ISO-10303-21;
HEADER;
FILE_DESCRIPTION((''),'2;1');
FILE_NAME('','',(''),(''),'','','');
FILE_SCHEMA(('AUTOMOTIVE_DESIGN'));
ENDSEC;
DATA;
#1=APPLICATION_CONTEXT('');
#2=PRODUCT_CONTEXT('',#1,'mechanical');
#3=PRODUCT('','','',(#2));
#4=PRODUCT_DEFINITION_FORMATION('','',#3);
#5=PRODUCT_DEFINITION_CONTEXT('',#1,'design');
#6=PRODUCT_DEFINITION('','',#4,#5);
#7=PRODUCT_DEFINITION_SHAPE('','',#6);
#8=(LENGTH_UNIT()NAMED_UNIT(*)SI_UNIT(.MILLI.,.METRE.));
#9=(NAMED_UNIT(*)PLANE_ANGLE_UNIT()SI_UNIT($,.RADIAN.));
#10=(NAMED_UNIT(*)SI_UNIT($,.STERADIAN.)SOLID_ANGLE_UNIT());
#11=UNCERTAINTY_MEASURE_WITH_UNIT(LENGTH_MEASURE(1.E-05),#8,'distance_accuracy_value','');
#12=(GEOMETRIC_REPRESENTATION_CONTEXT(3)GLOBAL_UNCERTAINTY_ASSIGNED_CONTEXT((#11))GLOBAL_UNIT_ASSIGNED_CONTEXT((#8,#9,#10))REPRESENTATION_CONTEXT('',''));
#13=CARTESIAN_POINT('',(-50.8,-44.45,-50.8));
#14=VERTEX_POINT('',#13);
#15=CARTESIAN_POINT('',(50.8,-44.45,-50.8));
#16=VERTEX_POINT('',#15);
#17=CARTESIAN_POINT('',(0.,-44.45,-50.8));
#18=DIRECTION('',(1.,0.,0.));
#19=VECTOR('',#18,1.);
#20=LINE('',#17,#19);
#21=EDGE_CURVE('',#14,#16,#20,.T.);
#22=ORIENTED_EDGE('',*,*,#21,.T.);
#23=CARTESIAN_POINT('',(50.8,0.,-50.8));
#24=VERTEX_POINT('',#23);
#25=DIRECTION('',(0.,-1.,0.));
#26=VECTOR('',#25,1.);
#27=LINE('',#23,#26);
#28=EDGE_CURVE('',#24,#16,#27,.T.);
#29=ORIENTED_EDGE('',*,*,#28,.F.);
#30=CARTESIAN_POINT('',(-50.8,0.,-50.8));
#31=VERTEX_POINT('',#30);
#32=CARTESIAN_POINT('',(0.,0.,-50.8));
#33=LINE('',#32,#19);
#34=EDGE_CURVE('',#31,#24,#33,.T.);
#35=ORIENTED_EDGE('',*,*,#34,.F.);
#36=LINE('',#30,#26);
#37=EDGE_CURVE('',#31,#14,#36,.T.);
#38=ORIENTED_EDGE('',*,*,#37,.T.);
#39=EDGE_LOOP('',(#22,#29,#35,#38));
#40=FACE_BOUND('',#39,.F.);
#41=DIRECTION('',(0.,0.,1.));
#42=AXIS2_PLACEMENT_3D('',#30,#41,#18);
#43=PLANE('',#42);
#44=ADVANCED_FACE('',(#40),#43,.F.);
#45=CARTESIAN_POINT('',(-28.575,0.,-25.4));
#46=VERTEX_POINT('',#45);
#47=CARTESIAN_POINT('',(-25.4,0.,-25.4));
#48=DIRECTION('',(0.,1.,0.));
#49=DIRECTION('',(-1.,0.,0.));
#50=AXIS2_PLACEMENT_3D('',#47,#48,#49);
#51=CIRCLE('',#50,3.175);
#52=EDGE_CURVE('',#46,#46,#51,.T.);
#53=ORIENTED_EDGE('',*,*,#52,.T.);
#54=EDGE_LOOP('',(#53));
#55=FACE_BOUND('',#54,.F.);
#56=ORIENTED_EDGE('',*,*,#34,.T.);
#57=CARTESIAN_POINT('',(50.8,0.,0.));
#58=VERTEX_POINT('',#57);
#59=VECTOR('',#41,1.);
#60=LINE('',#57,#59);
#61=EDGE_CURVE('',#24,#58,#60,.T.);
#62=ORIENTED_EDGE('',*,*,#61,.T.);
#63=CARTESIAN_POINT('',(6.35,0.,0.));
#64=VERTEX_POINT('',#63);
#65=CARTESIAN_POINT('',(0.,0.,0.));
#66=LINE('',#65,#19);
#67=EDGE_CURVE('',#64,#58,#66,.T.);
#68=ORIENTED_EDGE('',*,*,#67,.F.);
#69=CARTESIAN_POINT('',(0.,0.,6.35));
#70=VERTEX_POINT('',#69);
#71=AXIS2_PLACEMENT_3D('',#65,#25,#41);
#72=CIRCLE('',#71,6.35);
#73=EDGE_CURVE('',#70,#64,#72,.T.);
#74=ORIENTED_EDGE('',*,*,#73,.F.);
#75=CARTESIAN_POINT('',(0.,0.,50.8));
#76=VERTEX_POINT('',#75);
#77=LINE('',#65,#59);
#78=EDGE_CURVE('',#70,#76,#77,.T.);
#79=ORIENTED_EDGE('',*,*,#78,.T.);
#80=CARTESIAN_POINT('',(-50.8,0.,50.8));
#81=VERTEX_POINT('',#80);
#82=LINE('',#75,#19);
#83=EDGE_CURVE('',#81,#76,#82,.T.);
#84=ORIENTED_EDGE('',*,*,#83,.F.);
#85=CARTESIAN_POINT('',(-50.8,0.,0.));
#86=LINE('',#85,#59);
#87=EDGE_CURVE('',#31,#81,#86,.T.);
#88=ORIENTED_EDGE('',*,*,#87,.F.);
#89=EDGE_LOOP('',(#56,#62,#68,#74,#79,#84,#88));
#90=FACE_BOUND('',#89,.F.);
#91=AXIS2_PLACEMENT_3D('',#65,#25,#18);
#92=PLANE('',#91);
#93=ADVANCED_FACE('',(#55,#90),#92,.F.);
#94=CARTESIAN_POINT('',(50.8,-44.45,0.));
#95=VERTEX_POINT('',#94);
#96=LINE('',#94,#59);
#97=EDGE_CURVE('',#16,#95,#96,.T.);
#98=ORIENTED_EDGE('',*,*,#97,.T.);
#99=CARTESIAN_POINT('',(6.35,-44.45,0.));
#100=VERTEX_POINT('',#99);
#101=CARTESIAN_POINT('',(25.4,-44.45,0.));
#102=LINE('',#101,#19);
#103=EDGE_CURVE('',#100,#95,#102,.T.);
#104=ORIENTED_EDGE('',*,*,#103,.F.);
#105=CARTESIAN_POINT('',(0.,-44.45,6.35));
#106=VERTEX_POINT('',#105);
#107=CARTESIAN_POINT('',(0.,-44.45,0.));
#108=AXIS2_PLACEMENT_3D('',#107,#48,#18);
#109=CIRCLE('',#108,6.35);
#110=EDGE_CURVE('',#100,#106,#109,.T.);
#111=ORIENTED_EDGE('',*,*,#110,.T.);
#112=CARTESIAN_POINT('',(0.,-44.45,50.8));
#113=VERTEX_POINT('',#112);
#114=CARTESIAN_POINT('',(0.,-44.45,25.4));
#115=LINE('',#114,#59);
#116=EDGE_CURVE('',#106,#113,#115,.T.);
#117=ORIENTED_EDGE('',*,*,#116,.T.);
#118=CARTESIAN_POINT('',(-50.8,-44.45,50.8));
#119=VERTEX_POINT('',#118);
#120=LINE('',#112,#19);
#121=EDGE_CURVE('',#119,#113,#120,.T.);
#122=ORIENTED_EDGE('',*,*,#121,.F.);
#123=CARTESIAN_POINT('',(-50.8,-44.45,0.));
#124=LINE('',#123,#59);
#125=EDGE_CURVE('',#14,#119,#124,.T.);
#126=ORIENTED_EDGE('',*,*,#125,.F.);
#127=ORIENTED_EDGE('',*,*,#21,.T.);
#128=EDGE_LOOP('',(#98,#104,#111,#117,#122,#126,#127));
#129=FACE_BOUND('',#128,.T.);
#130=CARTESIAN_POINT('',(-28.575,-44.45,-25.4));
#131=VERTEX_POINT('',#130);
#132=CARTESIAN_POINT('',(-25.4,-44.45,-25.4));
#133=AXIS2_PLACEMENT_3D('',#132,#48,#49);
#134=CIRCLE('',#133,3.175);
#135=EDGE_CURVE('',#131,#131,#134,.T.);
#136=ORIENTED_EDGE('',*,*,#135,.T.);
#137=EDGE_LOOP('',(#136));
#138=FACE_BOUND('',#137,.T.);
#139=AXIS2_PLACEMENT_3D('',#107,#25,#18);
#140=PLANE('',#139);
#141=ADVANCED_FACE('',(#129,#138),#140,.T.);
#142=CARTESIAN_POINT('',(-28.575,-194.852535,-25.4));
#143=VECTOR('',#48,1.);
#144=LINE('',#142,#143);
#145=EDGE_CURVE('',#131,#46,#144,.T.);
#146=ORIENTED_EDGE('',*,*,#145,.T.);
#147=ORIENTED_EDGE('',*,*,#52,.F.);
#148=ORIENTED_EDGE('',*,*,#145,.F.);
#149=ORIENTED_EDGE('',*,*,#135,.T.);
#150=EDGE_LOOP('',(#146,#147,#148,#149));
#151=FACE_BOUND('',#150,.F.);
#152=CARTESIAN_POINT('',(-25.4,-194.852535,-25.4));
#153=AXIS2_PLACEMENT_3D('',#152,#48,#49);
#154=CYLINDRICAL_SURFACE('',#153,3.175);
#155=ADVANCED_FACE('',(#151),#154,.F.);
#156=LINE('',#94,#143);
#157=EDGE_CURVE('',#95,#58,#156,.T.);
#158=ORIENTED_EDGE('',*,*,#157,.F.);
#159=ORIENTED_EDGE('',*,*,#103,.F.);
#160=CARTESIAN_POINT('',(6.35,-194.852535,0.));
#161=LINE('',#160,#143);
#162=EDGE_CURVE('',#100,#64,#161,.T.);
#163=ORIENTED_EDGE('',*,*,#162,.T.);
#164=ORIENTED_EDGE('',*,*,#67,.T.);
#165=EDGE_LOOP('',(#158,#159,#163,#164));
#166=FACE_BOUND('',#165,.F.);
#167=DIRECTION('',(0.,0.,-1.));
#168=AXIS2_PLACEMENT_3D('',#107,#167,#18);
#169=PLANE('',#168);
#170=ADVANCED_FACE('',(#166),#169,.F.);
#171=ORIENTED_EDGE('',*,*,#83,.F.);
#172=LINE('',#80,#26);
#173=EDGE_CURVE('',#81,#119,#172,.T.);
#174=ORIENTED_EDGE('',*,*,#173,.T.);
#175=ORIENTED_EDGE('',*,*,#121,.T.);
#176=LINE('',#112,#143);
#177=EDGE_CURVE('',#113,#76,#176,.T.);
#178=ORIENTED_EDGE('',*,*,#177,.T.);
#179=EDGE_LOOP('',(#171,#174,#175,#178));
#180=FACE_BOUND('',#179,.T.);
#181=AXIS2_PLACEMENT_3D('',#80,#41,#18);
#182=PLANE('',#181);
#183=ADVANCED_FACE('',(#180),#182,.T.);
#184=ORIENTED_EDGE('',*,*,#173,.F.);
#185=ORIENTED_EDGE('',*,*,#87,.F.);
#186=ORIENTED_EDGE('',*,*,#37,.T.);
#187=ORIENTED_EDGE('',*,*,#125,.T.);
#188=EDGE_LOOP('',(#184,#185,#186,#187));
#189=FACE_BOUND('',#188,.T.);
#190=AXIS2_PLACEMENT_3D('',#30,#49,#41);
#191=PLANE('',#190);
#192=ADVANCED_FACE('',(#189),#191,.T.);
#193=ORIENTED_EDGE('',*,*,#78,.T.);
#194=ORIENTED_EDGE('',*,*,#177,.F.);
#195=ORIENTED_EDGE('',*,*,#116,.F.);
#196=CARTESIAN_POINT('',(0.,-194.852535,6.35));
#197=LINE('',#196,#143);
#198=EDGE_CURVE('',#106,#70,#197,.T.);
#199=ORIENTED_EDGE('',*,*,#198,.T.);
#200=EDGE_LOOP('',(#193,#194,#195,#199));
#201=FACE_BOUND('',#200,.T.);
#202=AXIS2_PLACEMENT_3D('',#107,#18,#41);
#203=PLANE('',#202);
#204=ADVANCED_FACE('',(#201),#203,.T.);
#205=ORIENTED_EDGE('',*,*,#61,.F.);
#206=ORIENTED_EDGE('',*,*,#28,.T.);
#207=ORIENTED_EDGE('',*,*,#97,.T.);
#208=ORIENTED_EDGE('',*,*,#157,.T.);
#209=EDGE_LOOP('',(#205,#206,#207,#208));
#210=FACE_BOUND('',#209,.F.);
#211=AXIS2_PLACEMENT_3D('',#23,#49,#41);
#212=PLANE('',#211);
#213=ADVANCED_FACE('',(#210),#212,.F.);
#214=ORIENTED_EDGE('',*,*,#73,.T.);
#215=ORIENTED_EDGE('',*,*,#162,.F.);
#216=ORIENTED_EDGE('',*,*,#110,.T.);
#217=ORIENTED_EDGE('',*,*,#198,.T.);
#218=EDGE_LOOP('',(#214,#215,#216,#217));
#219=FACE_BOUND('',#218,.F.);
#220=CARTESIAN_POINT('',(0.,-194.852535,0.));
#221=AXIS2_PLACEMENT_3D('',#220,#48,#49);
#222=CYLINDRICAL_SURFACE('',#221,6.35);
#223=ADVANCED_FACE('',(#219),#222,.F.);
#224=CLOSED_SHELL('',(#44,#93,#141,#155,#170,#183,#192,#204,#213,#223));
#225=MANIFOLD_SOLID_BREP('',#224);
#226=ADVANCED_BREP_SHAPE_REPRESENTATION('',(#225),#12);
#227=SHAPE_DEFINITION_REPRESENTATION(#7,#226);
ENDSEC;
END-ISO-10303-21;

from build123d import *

# Parameters (mm, degrees)
F0_W     = 101.6
F0_H     = 101.6
F1_DEPTH = 44.45
F3_D     = 12.7
F4_W     = 50.8
F4_H     = 50.8
F5_DEPTH = 88.9
F7_D     = 6.35


with BuildPart() as f1:
    # F0 (on Front) → F1 (new body)
    with BuildSketch(Plane.XZ):
        Rectangle(F0_W, F0_H)
    extrude(amount=F1_DEPTH)

    # F3 (through all)
    with Locations(Plane.XZ.offset(44.45)):
        with Locations((0, 0)):
            Hole(F3_D / 2)

    # F4 (on face) → F5 (cut)
    with BuildSketch(Plane.XZ.offset(44.45)):
        with Locations((25.4, 25.4)):
            Rectangle(F4_W, F4_H)
    extrude(amount=-F5_DEPTH, mode=Mode.SUBTRACT)

    # F7 (through all)
    with Locations(Plane.XZ.offset(44.45)):
        with Locations((-25.4, -25.4)):
            Hole(F7_D / 2)


solid = f1.part
